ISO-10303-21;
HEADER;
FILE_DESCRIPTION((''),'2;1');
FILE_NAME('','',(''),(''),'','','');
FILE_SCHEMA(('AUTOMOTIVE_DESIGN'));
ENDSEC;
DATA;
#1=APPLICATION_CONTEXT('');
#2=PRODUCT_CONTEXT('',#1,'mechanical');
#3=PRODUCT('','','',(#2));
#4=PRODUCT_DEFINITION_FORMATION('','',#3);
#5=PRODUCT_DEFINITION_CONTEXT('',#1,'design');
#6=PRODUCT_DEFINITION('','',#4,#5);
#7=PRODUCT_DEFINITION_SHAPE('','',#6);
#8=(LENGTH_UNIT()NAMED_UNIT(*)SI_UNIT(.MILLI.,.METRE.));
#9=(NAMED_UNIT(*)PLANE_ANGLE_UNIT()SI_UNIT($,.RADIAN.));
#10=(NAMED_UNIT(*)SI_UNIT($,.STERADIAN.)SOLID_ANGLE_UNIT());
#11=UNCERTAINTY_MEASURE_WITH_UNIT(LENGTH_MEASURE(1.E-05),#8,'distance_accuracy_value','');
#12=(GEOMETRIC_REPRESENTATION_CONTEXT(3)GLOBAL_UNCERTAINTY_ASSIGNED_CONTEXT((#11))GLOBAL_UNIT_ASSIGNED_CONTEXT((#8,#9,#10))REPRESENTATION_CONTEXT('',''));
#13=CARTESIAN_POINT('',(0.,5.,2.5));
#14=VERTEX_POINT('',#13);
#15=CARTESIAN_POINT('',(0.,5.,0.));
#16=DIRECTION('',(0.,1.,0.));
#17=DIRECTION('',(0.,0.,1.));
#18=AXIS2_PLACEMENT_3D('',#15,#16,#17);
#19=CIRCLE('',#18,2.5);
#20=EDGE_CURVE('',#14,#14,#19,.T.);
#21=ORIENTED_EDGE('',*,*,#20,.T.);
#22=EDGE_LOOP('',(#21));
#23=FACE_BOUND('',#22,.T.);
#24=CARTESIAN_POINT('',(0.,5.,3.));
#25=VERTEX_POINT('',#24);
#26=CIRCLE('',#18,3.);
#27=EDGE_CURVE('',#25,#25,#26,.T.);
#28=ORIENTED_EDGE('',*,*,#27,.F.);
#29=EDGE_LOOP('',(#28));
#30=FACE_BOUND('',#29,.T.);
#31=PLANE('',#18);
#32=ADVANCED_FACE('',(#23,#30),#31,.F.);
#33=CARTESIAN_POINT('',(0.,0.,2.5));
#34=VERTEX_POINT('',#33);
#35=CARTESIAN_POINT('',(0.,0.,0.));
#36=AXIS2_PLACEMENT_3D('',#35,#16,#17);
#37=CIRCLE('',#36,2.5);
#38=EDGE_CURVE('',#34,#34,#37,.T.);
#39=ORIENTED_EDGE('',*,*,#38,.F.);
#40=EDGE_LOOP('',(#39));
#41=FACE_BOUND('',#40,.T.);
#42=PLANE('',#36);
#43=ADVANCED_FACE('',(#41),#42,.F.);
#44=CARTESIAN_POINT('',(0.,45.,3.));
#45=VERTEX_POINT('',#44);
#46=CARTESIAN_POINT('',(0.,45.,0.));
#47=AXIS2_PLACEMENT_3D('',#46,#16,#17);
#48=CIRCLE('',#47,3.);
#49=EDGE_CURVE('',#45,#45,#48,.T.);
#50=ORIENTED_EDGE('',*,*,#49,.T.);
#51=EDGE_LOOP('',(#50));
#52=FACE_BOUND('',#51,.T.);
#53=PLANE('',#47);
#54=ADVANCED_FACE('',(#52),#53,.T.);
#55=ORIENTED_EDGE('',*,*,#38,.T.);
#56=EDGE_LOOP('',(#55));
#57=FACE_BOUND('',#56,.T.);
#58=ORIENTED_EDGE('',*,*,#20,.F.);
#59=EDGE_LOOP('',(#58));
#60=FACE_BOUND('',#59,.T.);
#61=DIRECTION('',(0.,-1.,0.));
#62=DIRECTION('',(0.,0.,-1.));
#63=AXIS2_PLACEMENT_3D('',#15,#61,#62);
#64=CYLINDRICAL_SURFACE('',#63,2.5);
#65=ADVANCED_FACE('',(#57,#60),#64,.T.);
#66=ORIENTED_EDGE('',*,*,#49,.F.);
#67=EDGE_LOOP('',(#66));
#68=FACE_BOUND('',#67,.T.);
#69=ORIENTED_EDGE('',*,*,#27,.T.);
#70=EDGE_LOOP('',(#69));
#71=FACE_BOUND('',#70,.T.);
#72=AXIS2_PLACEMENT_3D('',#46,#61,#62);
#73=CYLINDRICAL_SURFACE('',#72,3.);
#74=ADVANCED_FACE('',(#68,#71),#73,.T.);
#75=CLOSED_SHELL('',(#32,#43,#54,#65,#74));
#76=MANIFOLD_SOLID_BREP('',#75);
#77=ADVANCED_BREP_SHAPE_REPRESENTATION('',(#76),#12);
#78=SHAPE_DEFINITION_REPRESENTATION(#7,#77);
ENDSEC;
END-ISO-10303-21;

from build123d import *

# Parameters (mm, degrees)
SKETCH1_R           = 2.5
BOSS_EXTRUDE1_DEPTH = 5
BOSS_EXTRUDE2_START = 5
SKETCH1_4_R         = 3
BOSS_EXTRUDE2_DEPTH = 40


with BuildPart() as part:
    # Sketch1 → Boss-Extrude1 (new body)
    with BuildSketch(Plane(origin=(0, 0, 0), x_dir=(1, 0, 0), z_dir=(0, 1, 0))):
        Circle(SKETCH1_R)
    extrude(amount=BOSS_EXTRUDE1_DEPTH)

    # Sketch1<4> → Boss-Extrude2 (add)
    with BuildSketch(Plane(origin=(0, 0, 0), x_dir=(1, 0, 0), z_dir=(0, 1, 0)).offset(BOSS_EXTRUDE2_START)):
        Circle(SKETCH1_4_R)
    extrude(amount=BOSS_EXTRUDE2_DEPTH)


solid = part.part
